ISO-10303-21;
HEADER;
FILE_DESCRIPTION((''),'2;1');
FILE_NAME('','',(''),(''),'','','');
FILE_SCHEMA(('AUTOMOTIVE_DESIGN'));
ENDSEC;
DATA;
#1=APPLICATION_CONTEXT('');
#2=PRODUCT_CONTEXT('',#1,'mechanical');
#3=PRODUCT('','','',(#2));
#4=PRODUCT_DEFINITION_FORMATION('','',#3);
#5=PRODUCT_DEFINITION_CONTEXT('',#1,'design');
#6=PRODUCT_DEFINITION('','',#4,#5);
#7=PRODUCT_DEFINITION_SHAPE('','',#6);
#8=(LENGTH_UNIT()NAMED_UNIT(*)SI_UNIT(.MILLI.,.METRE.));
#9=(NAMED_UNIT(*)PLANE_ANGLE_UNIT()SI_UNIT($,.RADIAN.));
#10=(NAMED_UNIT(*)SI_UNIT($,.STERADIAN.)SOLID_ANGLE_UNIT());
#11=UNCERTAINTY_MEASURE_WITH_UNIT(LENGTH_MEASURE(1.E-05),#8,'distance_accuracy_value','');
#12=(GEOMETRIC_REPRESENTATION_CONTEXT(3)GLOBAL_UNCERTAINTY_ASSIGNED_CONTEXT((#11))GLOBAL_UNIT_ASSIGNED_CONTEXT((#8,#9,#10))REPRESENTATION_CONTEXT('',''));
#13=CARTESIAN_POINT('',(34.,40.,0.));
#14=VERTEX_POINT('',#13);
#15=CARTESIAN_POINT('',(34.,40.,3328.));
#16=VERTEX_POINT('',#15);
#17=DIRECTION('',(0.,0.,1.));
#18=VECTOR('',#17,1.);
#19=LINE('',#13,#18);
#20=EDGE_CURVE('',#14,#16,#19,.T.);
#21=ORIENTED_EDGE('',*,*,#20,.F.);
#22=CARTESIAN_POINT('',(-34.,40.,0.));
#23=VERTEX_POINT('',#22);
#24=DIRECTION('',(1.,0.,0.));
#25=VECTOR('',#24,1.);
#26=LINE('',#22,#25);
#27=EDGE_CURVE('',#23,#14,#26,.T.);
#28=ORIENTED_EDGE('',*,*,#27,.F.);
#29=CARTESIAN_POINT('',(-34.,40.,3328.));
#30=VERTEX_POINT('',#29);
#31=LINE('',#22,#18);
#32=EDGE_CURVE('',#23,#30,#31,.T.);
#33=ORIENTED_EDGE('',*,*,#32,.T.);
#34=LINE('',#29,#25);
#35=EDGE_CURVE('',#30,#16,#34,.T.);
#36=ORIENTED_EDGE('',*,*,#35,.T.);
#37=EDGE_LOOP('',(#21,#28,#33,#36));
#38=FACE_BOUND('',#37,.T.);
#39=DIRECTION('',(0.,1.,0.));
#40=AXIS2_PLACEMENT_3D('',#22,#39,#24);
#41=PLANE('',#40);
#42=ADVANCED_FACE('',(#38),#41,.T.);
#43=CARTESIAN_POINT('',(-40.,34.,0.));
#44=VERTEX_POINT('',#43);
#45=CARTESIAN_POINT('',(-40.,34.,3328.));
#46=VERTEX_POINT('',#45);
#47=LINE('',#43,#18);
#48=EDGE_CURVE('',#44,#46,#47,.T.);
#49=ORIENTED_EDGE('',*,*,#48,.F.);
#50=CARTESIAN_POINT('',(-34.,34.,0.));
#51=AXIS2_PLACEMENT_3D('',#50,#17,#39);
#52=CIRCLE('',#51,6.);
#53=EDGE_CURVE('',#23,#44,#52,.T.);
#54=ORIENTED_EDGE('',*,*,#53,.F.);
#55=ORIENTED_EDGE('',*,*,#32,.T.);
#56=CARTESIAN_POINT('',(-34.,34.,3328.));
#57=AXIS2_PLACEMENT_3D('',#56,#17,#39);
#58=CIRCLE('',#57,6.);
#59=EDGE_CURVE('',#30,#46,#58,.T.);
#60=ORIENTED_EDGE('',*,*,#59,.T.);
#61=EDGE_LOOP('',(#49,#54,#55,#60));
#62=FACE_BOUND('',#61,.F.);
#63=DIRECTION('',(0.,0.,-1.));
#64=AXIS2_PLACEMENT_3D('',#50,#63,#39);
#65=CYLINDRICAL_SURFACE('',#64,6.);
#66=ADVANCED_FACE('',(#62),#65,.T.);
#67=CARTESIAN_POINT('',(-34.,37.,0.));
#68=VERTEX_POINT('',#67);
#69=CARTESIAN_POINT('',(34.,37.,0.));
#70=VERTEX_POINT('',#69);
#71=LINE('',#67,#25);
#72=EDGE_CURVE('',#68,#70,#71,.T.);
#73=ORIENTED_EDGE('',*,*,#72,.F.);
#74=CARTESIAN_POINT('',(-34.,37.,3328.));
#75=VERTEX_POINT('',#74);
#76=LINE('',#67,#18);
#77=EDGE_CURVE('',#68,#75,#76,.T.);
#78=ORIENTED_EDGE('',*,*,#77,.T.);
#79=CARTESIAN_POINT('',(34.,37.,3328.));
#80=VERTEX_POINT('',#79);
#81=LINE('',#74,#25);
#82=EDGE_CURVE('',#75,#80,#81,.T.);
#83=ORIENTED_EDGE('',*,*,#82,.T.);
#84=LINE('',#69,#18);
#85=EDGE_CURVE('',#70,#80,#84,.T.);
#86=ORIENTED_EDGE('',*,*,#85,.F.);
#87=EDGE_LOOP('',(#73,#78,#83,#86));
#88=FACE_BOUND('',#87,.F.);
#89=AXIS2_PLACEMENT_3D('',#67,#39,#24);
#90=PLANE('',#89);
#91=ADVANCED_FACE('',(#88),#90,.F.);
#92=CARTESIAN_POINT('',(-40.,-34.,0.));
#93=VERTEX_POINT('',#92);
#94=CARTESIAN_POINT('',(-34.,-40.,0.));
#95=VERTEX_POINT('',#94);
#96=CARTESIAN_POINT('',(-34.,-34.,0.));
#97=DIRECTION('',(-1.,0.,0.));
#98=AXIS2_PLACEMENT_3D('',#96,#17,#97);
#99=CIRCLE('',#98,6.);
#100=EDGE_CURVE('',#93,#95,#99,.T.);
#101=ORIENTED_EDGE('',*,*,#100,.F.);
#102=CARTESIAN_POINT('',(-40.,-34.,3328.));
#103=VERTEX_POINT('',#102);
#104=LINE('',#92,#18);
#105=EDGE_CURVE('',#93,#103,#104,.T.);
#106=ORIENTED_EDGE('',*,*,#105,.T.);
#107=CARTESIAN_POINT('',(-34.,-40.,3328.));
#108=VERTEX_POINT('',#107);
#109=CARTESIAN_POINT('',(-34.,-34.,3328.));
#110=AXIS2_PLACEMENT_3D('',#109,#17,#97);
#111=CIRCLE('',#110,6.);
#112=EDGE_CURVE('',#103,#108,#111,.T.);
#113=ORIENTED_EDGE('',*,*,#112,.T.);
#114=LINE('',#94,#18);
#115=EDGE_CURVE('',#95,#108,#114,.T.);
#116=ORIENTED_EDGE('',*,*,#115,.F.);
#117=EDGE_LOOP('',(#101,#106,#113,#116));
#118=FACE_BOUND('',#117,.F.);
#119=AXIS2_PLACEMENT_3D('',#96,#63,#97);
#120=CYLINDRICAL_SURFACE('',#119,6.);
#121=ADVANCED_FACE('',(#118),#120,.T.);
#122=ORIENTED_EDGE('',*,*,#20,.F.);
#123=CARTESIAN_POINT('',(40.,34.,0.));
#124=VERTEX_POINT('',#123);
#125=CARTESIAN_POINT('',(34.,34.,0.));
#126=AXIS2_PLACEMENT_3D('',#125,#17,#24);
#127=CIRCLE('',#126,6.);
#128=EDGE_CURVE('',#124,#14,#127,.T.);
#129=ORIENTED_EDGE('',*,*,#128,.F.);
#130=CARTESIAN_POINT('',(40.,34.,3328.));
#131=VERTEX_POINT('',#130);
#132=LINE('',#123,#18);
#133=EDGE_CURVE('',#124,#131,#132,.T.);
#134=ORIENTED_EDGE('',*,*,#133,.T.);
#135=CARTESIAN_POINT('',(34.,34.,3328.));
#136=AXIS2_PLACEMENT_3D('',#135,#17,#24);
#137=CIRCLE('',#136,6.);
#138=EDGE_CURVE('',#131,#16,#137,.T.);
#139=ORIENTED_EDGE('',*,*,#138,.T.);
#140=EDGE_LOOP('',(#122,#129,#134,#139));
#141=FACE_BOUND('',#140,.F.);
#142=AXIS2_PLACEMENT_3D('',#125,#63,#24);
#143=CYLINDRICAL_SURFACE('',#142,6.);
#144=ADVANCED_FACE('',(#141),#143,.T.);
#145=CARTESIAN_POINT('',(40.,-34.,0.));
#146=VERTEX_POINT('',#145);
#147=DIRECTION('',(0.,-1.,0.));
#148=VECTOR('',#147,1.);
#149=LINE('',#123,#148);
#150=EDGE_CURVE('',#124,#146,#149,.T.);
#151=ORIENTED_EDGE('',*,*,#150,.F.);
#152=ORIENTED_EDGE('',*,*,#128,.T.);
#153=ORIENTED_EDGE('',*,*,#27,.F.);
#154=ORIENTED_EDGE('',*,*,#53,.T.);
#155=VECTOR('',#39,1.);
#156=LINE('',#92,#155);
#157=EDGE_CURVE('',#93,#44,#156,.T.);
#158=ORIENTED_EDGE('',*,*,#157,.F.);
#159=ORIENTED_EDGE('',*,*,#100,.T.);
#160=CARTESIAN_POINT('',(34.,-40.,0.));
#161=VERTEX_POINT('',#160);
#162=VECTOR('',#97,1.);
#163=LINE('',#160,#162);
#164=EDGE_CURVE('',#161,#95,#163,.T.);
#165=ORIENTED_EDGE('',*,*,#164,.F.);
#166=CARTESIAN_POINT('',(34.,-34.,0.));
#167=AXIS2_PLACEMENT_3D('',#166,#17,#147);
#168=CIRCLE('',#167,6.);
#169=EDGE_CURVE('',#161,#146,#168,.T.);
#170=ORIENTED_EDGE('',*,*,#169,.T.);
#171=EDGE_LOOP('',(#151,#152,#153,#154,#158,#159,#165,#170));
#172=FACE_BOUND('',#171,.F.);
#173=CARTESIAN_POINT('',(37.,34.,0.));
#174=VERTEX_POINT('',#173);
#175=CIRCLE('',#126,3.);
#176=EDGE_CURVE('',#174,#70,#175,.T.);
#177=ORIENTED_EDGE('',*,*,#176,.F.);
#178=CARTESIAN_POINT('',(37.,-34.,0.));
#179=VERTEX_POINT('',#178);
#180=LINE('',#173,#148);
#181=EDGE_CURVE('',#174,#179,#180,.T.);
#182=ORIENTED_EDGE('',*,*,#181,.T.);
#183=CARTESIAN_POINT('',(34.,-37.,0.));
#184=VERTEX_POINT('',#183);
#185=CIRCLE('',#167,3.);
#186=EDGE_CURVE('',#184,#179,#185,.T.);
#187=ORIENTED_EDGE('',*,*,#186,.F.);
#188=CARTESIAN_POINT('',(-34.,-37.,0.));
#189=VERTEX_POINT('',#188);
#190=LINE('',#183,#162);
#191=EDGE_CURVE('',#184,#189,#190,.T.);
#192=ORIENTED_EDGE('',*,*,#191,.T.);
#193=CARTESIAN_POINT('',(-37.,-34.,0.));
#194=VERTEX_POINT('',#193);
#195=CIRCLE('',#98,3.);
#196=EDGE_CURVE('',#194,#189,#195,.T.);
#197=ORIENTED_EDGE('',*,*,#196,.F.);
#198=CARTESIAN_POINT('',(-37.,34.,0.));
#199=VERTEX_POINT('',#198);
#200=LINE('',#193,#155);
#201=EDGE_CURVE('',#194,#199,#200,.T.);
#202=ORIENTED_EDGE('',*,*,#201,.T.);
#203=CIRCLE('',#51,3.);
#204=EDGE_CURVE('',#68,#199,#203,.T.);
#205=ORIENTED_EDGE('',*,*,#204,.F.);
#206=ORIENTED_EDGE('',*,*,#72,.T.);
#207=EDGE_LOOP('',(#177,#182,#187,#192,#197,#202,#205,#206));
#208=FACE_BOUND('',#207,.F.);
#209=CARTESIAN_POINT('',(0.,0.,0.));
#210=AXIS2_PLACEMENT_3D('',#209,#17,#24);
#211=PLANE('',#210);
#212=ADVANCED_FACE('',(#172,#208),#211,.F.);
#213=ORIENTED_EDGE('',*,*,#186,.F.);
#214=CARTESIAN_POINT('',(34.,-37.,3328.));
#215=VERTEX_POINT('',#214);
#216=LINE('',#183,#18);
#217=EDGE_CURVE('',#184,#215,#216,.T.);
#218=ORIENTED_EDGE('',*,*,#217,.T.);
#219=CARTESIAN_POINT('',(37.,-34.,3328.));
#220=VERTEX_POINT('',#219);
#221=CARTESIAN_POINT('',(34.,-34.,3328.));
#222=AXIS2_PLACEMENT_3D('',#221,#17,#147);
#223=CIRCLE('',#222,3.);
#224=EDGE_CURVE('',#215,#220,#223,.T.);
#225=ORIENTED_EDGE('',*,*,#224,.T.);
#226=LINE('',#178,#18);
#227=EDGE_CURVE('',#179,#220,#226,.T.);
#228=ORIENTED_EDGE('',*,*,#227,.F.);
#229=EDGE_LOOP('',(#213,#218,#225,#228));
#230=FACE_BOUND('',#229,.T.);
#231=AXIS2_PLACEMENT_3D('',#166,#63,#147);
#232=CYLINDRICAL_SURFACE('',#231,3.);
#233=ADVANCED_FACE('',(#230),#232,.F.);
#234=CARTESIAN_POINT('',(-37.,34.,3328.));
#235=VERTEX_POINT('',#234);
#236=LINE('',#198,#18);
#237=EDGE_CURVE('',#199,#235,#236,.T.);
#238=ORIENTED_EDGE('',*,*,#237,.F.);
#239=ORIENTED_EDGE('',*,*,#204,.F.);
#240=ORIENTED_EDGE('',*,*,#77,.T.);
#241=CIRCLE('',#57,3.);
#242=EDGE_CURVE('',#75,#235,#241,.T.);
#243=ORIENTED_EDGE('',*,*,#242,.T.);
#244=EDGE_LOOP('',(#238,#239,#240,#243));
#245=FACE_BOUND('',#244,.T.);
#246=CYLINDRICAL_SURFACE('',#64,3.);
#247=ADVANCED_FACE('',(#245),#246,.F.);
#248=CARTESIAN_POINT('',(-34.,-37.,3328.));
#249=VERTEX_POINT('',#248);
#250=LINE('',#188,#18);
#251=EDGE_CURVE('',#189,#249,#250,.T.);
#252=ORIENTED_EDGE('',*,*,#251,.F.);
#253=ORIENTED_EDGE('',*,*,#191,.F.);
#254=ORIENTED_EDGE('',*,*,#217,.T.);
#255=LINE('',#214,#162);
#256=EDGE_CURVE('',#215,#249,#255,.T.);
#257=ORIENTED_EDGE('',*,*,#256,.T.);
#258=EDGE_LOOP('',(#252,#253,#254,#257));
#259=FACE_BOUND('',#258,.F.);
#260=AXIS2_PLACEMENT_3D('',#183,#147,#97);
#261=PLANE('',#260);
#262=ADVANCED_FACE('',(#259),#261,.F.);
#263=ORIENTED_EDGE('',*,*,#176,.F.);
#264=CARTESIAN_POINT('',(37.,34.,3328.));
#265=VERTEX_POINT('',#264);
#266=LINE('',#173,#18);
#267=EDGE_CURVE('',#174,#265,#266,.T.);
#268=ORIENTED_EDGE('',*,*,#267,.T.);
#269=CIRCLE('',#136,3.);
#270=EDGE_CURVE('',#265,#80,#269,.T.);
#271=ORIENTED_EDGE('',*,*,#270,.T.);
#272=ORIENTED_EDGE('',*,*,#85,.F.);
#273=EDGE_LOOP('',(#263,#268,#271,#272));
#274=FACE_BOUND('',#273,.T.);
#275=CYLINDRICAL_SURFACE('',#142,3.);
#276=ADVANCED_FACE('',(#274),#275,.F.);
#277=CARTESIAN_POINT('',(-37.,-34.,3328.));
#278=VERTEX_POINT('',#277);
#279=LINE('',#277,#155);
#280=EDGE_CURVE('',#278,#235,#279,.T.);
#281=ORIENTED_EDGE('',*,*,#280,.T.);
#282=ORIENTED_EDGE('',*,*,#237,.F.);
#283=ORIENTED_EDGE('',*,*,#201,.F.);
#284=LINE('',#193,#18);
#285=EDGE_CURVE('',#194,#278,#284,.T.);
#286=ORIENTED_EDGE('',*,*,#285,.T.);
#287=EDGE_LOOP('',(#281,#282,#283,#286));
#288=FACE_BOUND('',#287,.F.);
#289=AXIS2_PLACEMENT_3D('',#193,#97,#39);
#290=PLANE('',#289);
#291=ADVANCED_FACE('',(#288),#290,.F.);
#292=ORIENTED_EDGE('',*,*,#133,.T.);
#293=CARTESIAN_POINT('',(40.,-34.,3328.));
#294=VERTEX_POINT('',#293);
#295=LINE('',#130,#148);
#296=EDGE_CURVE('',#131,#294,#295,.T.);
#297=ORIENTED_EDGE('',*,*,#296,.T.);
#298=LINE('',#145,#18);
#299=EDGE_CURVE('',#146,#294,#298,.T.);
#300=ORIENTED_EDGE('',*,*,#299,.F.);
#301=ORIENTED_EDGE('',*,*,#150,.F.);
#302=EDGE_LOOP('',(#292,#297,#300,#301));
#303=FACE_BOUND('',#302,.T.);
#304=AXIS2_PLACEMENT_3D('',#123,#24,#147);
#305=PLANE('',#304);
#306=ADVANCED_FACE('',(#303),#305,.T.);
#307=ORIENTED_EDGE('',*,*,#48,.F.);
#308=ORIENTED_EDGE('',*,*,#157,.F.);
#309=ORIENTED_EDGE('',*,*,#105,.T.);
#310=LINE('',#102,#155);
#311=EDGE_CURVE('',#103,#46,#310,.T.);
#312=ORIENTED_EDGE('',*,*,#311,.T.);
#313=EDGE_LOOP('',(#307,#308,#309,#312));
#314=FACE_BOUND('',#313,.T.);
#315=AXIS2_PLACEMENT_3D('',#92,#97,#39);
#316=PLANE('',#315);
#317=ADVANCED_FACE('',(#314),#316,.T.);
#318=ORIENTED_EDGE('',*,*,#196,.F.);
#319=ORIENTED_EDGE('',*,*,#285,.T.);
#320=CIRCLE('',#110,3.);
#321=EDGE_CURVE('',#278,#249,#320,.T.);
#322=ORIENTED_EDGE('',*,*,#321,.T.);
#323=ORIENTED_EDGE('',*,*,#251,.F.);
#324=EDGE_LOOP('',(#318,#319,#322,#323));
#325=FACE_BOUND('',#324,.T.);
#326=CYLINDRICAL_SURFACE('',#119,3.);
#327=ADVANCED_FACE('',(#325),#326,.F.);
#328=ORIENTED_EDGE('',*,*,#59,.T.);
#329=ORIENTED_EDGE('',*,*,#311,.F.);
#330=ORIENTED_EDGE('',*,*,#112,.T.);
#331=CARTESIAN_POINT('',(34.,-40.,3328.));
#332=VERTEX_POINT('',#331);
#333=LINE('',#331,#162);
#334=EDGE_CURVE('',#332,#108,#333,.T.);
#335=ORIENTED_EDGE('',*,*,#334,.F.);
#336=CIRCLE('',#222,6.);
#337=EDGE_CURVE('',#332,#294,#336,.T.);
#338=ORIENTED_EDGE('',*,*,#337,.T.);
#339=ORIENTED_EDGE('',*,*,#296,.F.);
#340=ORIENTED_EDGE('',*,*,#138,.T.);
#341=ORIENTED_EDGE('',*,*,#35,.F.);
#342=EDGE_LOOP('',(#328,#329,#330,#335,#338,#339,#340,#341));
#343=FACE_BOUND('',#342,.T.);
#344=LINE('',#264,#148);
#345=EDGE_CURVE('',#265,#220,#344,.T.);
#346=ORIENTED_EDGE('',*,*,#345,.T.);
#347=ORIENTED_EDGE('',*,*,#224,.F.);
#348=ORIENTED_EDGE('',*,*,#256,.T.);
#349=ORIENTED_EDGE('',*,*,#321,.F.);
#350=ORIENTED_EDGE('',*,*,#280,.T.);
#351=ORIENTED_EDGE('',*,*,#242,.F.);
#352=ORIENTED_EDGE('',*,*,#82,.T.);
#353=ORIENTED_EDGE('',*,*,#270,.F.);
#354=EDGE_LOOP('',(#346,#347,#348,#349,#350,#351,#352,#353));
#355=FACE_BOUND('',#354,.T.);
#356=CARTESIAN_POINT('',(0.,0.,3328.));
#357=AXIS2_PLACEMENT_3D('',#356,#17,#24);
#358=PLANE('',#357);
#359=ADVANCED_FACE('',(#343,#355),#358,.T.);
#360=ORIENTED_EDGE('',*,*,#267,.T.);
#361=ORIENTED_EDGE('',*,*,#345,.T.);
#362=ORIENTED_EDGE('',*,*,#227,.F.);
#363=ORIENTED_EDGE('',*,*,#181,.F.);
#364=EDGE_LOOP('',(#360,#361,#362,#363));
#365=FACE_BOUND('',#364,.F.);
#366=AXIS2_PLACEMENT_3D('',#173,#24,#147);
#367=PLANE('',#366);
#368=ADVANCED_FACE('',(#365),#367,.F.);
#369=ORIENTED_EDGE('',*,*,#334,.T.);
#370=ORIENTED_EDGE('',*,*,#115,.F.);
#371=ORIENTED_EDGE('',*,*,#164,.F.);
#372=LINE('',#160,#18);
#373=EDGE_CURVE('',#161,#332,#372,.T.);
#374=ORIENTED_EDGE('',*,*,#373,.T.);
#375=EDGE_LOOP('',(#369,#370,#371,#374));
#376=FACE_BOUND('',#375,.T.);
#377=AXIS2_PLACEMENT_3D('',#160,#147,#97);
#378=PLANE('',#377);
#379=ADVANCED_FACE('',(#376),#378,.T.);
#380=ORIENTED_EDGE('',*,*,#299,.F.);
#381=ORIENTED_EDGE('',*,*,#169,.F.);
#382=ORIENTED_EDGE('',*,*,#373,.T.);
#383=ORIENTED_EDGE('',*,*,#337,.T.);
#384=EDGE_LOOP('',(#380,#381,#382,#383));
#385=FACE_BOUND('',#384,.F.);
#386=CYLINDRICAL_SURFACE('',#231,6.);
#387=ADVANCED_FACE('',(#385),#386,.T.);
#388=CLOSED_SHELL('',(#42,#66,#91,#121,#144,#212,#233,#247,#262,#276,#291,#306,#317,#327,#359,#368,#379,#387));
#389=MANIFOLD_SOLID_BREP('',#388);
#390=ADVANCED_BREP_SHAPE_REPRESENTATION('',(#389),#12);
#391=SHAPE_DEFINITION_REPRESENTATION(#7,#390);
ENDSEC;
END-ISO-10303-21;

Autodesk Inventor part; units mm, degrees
ref_plane "YZ Plane" through (0, 0, 0) normal (1, 0, 0) x (0, 1, 0)
ref_plane "Start Plane" through (0, 0, 0) normal (0, 0, 1) x (1, 0, 0)
ref_plane "End Plane" through (0, 0, 3328) normal (0, 0, 1) x (1, 0, 0)
sketch "Sketch" plane through (0, 0, 0) normal (0, 0, 1) x (1, 0, 0)
  line L0 (-40, -34) -> (-40, 34)
  line L1 (-34, 40) -> (34, 40)
  line L2 (40, 34) -> (40, -34)
  line L3 (34, -40) -> (-34, -40)
  arc A0 (-40, -34) -> (-34, -40) centre (-34, -34) ccw
  arc A1 (40, 34) -> (34, 40) centre (34, 34) ccw
  arc A2 (-34, 40) -> (-40, 34) centre (-34, 34) ccw
  arc A3 (34, -40) -> (40, -34) centre (34, -34) ccw
  arc A4 (-34, 37) -> (-37, 34) centre (-34, 34) ccw
  line L4 (-34, 37) -> (34, 37)
  arc A5 (37, 34) -> (34, 37) centre (34, 34) ccw
  line L5 (37, 34) -> (37, -34)
  arc A6 (34, -37) -> (37, -34) centre (34, -34) ccw
  line L6 (34, -37) -> (-34, -37)
  arc A7 (-37, -34) -> (-34, -37) centre (-34, -34) ccw
  line L7 (-37, -34) -> (-37, 34)
  line L8 (0, 57.7397) -> (0, -57.7397) construction
  line L9 (-57.7397, 0) -> (57.7397, 0) construction
  dimension "d7" = 6
  dimension "d9" = 80
  dimension "d11" = 80
  dimension "d12" = 3
  dimension "d15" = 40
  dimension "d16" = 40
extrude "Body" add sketch "Sketch" along normal up to surface (3328 mm away) from surface at 0
sketch "Sketch3" plane through (0, 0, 0) normal (0, 0, 1) x (1, 0, 0)
  line L0 (0, 0) -> (10, 0)
ref_plane "Work Plane3" through (0, 0, 0) normal (0, -1, 0) x (1, 0, 0)
sketch "Sketch4" plane through (0, 0, 0) normal (0, -1, 0) x (1, 0, 0)
  line L0 (-2, 0) -> (12, 0) projected
  line L1 (-2, 3328) -> (12, 3328) projected
  dimension "d18" = 3328
equation "\"d7\" = G_IR"
equation "\"d9\" = G_W"
equation "\"d11\" = G_H"
equation "\"d12\" = G_T"
equation "\"d15\" = 0.5 * d9"
equation "\"d16\" = 0.5 * d11"
equation "\"d3\" = G_L"
equation "\"G_W\" = 80"
equation "\"G_H\" = 80"
equation "\"G_T\" = 3"
equation "\"G_IR\" = 6"
equation "\"G_L\" = d18"
equation "\"G_OFFSET_START\" = 0"
equation "\"G_OFFSET_END\" = 0"
equation "\"d14\" = G_OFFSET_END + B_L"
equation "\"B_L\" = 3328"
properties part number "ISO 10799-2 - 80x80x3 - 3328" material "Steel, Mild"
